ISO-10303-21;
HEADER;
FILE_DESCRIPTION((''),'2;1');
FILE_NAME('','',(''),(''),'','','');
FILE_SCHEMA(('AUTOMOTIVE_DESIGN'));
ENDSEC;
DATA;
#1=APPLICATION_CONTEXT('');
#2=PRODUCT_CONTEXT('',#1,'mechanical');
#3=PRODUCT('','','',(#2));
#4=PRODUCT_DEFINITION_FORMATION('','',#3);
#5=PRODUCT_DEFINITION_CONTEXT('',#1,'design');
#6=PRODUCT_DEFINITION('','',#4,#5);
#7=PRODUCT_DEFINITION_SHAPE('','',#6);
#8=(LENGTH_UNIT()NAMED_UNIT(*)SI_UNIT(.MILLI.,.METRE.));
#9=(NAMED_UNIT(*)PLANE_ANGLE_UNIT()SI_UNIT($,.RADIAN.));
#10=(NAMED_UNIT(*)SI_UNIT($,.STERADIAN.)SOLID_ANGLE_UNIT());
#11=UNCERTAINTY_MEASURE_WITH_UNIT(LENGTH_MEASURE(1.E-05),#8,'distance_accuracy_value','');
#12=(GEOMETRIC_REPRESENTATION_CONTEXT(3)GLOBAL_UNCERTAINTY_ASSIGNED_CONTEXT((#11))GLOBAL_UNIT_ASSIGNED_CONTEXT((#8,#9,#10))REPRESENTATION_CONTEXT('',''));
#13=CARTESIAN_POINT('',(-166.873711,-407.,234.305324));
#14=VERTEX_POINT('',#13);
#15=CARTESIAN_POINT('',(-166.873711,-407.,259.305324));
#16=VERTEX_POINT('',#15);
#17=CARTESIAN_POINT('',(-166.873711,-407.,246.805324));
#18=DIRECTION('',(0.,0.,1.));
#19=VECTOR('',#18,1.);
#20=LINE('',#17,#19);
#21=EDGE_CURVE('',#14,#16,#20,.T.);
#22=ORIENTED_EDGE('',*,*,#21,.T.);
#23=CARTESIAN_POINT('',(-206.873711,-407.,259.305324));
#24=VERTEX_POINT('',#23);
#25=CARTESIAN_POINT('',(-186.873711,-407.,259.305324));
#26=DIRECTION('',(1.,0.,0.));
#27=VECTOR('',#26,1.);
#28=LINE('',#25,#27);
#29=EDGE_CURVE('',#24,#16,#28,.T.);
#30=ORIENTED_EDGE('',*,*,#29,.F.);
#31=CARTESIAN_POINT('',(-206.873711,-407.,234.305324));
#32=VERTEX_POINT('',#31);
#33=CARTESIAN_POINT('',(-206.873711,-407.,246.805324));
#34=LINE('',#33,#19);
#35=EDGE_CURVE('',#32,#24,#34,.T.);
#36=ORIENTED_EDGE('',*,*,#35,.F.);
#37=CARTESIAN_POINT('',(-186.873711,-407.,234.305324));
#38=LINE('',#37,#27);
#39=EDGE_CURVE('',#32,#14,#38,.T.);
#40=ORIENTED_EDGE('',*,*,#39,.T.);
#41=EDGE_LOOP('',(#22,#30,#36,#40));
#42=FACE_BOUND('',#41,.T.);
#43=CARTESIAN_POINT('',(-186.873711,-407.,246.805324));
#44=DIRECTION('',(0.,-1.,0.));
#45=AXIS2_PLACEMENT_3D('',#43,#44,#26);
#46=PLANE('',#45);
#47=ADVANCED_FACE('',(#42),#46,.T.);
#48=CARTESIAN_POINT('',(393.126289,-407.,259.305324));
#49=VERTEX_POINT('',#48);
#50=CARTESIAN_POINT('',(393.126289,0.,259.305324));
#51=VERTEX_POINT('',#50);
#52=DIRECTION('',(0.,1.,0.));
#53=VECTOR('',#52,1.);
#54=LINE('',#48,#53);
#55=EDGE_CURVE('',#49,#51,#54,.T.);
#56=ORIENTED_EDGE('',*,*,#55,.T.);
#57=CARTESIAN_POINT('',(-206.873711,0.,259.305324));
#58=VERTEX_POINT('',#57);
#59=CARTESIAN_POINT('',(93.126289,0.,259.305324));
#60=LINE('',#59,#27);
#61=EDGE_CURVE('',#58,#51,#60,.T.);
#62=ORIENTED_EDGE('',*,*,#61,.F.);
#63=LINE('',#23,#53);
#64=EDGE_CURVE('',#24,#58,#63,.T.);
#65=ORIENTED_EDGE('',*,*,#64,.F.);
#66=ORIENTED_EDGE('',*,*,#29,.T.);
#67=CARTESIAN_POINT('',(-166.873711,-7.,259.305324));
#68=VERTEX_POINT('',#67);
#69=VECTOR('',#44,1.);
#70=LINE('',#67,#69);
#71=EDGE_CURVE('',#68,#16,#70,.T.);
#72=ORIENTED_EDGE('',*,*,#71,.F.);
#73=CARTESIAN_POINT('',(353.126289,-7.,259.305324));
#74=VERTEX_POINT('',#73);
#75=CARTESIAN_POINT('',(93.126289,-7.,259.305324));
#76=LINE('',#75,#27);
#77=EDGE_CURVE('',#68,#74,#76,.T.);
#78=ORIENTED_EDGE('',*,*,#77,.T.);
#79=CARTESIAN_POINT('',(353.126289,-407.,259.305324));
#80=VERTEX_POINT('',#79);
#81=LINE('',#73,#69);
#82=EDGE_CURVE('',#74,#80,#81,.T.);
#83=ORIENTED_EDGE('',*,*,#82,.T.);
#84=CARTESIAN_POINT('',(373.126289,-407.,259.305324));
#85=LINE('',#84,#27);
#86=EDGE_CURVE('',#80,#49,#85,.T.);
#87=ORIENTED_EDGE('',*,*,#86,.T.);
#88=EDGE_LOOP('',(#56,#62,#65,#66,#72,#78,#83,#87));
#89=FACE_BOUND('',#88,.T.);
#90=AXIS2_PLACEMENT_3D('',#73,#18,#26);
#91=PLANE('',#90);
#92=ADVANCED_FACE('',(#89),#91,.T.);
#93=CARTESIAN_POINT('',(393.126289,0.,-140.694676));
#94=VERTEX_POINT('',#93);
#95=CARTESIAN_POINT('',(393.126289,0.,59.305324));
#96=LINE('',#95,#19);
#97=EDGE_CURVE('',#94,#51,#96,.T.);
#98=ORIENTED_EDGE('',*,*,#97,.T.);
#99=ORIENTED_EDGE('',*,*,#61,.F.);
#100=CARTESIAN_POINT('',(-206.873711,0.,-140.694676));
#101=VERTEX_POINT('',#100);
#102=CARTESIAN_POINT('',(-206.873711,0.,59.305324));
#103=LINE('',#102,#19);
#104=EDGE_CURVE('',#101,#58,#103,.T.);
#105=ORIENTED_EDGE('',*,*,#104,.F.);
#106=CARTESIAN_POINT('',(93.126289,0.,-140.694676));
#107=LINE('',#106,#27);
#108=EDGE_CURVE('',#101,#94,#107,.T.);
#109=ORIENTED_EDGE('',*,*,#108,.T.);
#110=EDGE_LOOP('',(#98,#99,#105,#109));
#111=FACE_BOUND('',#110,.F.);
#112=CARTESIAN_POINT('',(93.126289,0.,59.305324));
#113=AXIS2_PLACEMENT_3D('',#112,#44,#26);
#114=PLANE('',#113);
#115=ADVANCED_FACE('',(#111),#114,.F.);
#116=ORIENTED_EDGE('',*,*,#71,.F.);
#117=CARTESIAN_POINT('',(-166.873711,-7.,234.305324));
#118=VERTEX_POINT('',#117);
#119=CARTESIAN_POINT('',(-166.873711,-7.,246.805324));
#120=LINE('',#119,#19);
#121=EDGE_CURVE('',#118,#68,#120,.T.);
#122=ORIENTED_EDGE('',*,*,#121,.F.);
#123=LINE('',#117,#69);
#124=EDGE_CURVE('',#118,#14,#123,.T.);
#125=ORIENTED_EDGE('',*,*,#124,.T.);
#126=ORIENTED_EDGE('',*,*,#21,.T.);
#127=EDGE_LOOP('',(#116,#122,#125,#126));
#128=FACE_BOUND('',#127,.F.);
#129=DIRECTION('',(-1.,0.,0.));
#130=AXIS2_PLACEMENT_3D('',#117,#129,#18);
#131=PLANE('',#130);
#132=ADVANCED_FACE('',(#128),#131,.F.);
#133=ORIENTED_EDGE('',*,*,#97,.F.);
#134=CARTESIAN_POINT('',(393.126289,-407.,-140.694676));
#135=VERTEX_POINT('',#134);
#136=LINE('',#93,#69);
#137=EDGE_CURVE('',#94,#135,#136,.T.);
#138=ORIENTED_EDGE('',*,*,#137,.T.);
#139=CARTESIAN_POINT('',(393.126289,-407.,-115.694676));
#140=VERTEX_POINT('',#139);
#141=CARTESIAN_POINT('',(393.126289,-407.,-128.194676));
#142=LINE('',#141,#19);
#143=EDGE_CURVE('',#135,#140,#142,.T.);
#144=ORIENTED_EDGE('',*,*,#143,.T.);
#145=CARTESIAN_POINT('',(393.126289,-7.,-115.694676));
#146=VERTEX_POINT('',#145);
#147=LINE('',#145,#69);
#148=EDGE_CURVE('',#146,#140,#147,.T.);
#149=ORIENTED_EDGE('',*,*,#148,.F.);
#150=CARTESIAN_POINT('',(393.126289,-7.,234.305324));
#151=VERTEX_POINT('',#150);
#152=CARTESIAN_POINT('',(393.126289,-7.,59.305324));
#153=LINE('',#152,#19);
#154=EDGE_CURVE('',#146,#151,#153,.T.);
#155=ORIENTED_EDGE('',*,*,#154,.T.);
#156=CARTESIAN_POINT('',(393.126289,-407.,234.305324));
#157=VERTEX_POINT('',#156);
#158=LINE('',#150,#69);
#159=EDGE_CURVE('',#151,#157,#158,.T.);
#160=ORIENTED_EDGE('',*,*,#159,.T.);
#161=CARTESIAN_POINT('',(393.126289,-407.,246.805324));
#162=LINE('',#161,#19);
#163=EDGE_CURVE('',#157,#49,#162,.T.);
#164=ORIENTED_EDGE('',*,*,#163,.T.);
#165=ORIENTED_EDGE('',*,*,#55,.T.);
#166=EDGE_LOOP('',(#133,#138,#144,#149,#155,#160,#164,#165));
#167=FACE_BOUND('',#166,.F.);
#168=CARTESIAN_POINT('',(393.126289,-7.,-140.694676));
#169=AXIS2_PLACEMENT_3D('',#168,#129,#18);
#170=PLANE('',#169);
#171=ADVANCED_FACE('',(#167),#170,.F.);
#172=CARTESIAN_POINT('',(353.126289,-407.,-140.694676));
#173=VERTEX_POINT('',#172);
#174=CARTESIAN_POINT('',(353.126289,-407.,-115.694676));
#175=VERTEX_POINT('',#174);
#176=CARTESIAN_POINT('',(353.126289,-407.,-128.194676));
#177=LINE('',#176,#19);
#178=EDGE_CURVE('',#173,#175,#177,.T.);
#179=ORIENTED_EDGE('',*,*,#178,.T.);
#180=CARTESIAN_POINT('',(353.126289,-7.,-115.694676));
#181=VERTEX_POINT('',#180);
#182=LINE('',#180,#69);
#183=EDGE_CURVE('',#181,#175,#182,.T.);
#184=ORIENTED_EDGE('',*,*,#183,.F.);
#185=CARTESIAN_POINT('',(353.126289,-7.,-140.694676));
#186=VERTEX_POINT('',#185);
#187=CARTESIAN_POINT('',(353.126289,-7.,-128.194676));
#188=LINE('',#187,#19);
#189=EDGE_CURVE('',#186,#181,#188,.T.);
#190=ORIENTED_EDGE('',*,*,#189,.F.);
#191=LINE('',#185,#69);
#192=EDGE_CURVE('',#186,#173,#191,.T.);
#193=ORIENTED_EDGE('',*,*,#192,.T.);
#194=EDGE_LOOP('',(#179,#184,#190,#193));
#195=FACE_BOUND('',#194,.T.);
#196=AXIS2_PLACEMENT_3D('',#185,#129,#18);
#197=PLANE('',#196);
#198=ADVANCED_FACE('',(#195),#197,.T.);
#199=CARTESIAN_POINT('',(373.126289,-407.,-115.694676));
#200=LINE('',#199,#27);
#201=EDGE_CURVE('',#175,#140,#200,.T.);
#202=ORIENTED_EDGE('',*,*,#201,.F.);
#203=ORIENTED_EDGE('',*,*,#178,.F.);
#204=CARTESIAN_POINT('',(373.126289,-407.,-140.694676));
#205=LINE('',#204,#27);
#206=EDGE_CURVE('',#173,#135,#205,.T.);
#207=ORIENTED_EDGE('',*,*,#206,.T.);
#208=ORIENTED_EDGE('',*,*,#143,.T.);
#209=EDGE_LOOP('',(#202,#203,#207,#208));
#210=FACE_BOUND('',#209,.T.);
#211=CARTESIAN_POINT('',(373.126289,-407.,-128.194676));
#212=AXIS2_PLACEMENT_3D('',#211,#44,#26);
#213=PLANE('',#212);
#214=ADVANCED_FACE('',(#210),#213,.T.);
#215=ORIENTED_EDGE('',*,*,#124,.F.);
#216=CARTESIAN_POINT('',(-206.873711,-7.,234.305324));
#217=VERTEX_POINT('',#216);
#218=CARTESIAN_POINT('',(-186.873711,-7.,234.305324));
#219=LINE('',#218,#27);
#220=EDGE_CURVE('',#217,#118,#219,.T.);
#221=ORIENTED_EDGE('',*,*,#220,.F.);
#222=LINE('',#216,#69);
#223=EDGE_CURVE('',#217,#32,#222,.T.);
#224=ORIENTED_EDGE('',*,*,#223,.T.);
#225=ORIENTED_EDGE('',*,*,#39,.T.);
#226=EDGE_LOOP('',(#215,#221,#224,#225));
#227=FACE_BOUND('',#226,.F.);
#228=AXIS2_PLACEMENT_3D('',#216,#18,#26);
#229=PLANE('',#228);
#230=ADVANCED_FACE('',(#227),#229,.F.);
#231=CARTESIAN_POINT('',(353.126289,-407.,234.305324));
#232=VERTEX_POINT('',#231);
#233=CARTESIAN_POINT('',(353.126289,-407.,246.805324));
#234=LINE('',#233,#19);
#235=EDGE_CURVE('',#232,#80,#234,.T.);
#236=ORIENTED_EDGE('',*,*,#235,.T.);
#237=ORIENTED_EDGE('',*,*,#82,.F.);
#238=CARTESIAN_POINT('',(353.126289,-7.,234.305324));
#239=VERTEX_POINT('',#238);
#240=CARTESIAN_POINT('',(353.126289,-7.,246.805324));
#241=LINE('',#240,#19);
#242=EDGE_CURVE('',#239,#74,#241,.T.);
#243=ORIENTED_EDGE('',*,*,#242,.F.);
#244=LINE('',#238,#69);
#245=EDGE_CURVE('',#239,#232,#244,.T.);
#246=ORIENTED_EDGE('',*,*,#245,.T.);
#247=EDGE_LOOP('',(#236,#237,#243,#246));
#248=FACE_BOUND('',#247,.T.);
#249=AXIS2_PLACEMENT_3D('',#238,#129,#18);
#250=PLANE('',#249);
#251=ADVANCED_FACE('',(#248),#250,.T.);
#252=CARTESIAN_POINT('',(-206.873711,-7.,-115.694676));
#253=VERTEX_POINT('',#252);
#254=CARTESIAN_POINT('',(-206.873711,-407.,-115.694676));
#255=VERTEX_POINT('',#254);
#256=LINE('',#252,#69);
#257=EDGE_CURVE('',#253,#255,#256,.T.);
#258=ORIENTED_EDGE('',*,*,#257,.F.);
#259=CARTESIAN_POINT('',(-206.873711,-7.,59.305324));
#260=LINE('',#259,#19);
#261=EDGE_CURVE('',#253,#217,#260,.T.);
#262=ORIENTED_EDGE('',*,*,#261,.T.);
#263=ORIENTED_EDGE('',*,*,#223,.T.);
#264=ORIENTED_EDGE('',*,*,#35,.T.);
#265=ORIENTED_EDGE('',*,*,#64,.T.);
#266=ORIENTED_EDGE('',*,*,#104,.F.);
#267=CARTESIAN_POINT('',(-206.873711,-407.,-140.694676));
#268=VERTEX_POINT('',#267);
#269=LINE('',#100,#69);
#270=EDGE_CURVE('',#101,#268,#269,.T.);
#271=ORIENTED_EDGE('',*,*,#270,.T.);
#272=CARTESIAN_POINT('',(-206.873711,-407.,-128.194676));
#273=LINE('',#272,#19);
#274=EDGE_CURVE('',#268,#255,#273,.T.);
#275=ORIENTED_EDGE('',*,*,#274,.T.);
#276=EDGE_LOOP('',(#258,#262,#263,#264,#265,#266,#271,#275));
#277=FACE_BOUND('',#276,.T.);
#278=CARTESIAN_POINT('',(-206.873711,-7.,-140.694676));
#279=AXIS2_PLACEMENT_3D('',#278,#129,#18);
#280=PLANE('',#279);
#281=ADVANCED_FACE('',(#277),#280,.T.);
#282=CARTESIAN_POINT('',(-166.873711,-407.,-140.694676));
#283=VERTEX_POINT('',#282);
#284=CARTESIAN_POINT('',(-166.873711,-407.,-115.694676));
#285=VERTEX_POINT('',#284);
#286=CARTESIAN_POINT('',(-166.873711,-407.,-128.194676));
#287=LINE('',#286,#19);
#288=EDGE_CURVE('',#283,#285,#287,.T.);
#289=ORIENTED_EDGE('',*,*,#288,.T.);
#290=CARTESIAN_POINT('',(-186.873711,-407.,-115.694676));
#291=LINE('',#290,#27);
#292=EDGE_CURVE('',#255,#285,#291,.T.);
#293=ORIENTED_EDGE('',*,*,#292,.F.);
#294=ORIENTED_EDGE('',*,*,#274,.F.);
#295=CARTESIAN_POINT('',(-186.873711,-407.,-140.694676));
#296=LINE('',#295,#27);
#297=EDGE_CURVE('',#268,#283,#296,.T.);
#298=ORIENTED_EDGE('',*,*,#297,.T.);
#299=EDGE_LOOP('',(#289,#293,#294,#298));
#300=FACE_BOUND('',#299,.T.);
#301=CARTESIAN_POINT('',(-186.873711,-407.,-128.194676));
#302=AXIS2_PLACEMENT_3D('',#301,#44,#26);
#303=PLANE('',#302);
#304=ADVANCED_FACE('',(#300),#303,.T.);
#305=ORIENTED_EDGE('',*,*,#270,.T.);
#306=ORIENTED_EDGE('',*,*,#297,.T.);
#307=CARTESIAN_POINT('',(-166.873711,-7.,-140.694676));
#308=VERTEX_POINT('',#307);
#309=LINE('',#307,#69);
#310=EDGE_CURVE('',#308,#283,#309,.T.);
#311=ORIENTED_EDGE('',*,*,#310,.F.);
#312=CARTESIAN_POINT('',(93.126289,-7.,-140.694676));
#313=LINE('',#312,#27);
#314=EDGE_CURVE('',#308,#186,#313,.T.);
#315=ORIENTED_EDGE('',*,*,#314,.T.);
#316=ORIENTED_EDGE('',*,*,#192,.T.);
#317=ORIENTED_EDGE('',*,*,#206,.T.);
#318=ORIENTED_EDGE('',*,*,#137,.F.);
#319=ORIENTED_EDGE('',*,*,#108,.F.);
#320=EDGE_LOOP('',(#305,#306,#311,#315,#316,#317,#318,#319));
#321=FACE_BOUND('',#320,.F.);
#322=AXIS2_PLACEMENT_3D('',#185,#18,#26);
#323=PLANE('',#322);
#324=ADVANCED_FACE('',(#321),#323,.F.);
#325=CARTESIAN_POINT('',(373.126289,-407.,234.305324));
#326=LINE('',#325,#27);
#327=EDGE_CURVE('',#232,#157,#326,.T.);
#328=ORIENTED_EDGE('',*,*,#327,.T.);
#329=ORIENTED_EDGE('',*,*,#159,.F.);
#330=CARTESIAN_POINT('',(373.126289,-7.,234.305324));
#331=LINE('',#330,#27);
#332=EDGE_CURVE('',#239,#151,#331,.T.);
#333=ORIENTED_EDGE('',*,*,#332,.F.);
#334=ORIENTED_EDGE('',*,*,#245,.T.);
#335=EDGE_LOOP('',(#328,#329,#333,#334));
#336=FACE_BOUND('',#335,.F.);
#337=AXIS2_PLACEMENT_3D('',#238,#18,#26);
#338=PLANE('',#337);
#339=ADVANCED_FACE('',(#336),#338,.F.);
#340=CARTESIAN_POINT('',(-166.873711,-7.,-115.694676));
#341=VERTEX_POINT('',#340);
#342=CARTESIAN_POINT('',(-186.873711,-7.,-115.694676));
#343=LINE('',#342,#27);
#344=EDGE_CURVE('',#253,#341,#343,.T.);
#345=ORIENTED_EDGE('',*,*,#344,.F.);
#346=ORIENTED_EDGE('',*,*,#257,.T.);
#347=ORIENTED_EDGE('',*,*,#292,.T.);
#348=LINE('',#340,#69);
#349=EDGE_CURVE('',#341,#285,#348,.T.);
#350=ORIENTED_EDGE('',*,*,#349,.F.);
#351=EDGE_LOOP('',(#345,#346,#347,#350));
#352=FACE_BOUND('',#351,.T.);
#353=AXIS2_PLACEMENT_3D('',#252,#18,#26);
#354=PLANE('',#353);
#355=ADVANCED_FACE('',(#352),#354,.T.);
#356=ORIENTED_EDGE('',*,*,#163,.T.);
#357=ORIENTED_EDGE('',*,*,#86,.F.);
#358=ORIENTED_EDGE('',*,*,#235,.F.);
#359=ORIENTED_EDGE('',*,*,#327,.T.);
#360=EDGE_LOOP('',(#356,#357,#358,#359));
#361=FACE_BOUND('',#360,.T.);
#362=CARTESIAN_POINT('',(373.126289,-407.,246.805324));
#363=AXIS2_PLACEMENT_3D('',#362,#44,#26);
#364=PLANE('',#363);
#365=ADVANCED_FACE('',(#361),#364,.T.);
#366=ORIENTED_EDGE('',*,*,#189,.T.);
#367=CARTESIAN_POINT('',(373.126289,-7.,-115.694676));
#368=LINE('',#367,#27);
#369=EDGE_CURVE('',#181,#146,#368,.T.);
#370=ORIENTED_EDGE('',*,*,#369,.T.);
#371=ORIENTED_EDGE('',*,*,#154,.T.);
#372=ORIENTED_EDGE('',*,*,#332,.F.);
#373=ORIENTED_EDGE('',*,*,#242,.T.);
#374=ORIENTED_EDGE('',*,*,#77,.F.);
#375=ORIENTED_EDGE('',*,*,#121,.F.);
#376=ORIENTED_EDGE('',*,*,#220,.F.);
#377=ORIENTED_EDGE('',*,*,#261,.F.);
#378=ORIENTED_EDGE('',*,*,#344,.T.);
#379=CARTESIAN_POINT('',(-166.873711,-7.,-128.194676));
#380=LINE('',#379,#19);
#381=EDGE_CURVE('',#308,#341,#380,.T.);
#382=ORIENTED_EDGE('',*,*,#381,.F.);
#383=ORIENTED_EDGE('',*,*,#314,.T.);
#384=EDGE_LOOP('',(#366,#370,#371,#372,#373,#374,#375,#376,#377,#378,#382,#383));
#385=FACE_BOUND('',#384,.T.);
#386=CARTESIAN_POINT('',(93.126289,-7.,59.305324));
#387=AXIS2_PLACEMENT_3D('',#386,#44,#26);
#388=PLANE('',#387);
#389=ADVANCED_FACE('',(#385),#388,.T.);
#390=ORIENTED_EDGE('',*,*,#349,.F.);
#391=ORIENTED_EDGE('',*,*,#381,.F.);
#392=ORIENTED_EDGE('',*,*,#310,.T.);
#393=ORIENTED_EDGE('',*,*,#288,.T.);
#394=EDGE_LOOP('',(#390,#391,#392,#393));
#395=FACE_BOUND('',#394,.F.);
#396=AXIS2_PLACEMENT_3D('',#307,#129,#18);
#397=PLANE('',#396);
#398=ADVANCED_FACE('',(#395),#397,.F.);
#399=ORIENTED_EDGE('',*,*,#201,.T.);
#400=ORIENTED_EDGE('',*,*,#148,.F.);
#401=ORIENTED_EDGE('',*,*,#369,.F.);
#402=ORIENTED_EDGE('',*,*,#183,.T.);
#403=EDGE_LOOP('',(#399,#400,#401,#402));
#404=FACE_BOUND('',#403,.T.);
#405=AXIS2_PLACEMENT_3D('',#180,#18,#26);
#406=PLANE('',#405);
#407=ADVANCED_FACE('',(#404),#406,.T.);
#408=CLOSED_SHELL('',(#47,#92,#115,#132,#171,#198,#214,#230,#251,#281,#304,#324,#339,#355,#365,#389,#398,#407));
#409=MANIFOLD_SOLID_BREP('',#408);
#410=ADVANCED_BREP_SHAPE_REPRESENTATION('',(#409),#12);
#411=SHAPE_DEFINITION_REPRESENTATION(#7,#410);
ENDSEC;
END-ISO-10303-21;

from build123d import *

# Parameters (mm, degrees)
F0_W     = 600
F0_H     = 400
F1_DEPTH = 7
F2_W     = 40
F2_H     = 25
F3_DEPTH = 400
F4_DEPTH = 400
F5_DEPTH = 400
F6_DEPTH = 400


with BuildPart() as f1:
    # F0 (on Front) → F1 (new body)
    with BuildSketch(Plane.XZ):
        with Locations((93.126289, 59.305324)):
            Rectangle(F0_W, F0_H)
    extrude(amount=F1_DEPTH)

    # F2 (on face) → F3 (join)
    with BuildSketch(Plane.XZ.offset(7)):
        with Locations((-186.873711, 246.805324)):
            Rectangle(F2_W, F2_H)
    extrude(amount=F3_DEPTH)

    # F2 (on face) → F4 (join)
    with BuildSketch(Plane.XZ.offset(7)):
        with Locations((-186.873711, -128.194676)):
            Rectangle(F2_W, F2_H)
    extrude(amount=F4_DEPTH)

    # F2 (on face) → F5 (join)
    with BuildSketch(Plane.XZ.offset(7)):
        with Locations((373.126289, 246.805324)):
            Rectangle(F2_W, F2_H)
    extrude(amount=F5_DEPTH)

    # F2 (on face) → F6 (join)
    with BuildSketch(Plane.XZ.offset(7)):
        with Locations((373.126289, -128.194676)):
            Rectangle(F2_W, F2_H)
    extrude(amount=F6_DEPTH)


solid = f1.part
